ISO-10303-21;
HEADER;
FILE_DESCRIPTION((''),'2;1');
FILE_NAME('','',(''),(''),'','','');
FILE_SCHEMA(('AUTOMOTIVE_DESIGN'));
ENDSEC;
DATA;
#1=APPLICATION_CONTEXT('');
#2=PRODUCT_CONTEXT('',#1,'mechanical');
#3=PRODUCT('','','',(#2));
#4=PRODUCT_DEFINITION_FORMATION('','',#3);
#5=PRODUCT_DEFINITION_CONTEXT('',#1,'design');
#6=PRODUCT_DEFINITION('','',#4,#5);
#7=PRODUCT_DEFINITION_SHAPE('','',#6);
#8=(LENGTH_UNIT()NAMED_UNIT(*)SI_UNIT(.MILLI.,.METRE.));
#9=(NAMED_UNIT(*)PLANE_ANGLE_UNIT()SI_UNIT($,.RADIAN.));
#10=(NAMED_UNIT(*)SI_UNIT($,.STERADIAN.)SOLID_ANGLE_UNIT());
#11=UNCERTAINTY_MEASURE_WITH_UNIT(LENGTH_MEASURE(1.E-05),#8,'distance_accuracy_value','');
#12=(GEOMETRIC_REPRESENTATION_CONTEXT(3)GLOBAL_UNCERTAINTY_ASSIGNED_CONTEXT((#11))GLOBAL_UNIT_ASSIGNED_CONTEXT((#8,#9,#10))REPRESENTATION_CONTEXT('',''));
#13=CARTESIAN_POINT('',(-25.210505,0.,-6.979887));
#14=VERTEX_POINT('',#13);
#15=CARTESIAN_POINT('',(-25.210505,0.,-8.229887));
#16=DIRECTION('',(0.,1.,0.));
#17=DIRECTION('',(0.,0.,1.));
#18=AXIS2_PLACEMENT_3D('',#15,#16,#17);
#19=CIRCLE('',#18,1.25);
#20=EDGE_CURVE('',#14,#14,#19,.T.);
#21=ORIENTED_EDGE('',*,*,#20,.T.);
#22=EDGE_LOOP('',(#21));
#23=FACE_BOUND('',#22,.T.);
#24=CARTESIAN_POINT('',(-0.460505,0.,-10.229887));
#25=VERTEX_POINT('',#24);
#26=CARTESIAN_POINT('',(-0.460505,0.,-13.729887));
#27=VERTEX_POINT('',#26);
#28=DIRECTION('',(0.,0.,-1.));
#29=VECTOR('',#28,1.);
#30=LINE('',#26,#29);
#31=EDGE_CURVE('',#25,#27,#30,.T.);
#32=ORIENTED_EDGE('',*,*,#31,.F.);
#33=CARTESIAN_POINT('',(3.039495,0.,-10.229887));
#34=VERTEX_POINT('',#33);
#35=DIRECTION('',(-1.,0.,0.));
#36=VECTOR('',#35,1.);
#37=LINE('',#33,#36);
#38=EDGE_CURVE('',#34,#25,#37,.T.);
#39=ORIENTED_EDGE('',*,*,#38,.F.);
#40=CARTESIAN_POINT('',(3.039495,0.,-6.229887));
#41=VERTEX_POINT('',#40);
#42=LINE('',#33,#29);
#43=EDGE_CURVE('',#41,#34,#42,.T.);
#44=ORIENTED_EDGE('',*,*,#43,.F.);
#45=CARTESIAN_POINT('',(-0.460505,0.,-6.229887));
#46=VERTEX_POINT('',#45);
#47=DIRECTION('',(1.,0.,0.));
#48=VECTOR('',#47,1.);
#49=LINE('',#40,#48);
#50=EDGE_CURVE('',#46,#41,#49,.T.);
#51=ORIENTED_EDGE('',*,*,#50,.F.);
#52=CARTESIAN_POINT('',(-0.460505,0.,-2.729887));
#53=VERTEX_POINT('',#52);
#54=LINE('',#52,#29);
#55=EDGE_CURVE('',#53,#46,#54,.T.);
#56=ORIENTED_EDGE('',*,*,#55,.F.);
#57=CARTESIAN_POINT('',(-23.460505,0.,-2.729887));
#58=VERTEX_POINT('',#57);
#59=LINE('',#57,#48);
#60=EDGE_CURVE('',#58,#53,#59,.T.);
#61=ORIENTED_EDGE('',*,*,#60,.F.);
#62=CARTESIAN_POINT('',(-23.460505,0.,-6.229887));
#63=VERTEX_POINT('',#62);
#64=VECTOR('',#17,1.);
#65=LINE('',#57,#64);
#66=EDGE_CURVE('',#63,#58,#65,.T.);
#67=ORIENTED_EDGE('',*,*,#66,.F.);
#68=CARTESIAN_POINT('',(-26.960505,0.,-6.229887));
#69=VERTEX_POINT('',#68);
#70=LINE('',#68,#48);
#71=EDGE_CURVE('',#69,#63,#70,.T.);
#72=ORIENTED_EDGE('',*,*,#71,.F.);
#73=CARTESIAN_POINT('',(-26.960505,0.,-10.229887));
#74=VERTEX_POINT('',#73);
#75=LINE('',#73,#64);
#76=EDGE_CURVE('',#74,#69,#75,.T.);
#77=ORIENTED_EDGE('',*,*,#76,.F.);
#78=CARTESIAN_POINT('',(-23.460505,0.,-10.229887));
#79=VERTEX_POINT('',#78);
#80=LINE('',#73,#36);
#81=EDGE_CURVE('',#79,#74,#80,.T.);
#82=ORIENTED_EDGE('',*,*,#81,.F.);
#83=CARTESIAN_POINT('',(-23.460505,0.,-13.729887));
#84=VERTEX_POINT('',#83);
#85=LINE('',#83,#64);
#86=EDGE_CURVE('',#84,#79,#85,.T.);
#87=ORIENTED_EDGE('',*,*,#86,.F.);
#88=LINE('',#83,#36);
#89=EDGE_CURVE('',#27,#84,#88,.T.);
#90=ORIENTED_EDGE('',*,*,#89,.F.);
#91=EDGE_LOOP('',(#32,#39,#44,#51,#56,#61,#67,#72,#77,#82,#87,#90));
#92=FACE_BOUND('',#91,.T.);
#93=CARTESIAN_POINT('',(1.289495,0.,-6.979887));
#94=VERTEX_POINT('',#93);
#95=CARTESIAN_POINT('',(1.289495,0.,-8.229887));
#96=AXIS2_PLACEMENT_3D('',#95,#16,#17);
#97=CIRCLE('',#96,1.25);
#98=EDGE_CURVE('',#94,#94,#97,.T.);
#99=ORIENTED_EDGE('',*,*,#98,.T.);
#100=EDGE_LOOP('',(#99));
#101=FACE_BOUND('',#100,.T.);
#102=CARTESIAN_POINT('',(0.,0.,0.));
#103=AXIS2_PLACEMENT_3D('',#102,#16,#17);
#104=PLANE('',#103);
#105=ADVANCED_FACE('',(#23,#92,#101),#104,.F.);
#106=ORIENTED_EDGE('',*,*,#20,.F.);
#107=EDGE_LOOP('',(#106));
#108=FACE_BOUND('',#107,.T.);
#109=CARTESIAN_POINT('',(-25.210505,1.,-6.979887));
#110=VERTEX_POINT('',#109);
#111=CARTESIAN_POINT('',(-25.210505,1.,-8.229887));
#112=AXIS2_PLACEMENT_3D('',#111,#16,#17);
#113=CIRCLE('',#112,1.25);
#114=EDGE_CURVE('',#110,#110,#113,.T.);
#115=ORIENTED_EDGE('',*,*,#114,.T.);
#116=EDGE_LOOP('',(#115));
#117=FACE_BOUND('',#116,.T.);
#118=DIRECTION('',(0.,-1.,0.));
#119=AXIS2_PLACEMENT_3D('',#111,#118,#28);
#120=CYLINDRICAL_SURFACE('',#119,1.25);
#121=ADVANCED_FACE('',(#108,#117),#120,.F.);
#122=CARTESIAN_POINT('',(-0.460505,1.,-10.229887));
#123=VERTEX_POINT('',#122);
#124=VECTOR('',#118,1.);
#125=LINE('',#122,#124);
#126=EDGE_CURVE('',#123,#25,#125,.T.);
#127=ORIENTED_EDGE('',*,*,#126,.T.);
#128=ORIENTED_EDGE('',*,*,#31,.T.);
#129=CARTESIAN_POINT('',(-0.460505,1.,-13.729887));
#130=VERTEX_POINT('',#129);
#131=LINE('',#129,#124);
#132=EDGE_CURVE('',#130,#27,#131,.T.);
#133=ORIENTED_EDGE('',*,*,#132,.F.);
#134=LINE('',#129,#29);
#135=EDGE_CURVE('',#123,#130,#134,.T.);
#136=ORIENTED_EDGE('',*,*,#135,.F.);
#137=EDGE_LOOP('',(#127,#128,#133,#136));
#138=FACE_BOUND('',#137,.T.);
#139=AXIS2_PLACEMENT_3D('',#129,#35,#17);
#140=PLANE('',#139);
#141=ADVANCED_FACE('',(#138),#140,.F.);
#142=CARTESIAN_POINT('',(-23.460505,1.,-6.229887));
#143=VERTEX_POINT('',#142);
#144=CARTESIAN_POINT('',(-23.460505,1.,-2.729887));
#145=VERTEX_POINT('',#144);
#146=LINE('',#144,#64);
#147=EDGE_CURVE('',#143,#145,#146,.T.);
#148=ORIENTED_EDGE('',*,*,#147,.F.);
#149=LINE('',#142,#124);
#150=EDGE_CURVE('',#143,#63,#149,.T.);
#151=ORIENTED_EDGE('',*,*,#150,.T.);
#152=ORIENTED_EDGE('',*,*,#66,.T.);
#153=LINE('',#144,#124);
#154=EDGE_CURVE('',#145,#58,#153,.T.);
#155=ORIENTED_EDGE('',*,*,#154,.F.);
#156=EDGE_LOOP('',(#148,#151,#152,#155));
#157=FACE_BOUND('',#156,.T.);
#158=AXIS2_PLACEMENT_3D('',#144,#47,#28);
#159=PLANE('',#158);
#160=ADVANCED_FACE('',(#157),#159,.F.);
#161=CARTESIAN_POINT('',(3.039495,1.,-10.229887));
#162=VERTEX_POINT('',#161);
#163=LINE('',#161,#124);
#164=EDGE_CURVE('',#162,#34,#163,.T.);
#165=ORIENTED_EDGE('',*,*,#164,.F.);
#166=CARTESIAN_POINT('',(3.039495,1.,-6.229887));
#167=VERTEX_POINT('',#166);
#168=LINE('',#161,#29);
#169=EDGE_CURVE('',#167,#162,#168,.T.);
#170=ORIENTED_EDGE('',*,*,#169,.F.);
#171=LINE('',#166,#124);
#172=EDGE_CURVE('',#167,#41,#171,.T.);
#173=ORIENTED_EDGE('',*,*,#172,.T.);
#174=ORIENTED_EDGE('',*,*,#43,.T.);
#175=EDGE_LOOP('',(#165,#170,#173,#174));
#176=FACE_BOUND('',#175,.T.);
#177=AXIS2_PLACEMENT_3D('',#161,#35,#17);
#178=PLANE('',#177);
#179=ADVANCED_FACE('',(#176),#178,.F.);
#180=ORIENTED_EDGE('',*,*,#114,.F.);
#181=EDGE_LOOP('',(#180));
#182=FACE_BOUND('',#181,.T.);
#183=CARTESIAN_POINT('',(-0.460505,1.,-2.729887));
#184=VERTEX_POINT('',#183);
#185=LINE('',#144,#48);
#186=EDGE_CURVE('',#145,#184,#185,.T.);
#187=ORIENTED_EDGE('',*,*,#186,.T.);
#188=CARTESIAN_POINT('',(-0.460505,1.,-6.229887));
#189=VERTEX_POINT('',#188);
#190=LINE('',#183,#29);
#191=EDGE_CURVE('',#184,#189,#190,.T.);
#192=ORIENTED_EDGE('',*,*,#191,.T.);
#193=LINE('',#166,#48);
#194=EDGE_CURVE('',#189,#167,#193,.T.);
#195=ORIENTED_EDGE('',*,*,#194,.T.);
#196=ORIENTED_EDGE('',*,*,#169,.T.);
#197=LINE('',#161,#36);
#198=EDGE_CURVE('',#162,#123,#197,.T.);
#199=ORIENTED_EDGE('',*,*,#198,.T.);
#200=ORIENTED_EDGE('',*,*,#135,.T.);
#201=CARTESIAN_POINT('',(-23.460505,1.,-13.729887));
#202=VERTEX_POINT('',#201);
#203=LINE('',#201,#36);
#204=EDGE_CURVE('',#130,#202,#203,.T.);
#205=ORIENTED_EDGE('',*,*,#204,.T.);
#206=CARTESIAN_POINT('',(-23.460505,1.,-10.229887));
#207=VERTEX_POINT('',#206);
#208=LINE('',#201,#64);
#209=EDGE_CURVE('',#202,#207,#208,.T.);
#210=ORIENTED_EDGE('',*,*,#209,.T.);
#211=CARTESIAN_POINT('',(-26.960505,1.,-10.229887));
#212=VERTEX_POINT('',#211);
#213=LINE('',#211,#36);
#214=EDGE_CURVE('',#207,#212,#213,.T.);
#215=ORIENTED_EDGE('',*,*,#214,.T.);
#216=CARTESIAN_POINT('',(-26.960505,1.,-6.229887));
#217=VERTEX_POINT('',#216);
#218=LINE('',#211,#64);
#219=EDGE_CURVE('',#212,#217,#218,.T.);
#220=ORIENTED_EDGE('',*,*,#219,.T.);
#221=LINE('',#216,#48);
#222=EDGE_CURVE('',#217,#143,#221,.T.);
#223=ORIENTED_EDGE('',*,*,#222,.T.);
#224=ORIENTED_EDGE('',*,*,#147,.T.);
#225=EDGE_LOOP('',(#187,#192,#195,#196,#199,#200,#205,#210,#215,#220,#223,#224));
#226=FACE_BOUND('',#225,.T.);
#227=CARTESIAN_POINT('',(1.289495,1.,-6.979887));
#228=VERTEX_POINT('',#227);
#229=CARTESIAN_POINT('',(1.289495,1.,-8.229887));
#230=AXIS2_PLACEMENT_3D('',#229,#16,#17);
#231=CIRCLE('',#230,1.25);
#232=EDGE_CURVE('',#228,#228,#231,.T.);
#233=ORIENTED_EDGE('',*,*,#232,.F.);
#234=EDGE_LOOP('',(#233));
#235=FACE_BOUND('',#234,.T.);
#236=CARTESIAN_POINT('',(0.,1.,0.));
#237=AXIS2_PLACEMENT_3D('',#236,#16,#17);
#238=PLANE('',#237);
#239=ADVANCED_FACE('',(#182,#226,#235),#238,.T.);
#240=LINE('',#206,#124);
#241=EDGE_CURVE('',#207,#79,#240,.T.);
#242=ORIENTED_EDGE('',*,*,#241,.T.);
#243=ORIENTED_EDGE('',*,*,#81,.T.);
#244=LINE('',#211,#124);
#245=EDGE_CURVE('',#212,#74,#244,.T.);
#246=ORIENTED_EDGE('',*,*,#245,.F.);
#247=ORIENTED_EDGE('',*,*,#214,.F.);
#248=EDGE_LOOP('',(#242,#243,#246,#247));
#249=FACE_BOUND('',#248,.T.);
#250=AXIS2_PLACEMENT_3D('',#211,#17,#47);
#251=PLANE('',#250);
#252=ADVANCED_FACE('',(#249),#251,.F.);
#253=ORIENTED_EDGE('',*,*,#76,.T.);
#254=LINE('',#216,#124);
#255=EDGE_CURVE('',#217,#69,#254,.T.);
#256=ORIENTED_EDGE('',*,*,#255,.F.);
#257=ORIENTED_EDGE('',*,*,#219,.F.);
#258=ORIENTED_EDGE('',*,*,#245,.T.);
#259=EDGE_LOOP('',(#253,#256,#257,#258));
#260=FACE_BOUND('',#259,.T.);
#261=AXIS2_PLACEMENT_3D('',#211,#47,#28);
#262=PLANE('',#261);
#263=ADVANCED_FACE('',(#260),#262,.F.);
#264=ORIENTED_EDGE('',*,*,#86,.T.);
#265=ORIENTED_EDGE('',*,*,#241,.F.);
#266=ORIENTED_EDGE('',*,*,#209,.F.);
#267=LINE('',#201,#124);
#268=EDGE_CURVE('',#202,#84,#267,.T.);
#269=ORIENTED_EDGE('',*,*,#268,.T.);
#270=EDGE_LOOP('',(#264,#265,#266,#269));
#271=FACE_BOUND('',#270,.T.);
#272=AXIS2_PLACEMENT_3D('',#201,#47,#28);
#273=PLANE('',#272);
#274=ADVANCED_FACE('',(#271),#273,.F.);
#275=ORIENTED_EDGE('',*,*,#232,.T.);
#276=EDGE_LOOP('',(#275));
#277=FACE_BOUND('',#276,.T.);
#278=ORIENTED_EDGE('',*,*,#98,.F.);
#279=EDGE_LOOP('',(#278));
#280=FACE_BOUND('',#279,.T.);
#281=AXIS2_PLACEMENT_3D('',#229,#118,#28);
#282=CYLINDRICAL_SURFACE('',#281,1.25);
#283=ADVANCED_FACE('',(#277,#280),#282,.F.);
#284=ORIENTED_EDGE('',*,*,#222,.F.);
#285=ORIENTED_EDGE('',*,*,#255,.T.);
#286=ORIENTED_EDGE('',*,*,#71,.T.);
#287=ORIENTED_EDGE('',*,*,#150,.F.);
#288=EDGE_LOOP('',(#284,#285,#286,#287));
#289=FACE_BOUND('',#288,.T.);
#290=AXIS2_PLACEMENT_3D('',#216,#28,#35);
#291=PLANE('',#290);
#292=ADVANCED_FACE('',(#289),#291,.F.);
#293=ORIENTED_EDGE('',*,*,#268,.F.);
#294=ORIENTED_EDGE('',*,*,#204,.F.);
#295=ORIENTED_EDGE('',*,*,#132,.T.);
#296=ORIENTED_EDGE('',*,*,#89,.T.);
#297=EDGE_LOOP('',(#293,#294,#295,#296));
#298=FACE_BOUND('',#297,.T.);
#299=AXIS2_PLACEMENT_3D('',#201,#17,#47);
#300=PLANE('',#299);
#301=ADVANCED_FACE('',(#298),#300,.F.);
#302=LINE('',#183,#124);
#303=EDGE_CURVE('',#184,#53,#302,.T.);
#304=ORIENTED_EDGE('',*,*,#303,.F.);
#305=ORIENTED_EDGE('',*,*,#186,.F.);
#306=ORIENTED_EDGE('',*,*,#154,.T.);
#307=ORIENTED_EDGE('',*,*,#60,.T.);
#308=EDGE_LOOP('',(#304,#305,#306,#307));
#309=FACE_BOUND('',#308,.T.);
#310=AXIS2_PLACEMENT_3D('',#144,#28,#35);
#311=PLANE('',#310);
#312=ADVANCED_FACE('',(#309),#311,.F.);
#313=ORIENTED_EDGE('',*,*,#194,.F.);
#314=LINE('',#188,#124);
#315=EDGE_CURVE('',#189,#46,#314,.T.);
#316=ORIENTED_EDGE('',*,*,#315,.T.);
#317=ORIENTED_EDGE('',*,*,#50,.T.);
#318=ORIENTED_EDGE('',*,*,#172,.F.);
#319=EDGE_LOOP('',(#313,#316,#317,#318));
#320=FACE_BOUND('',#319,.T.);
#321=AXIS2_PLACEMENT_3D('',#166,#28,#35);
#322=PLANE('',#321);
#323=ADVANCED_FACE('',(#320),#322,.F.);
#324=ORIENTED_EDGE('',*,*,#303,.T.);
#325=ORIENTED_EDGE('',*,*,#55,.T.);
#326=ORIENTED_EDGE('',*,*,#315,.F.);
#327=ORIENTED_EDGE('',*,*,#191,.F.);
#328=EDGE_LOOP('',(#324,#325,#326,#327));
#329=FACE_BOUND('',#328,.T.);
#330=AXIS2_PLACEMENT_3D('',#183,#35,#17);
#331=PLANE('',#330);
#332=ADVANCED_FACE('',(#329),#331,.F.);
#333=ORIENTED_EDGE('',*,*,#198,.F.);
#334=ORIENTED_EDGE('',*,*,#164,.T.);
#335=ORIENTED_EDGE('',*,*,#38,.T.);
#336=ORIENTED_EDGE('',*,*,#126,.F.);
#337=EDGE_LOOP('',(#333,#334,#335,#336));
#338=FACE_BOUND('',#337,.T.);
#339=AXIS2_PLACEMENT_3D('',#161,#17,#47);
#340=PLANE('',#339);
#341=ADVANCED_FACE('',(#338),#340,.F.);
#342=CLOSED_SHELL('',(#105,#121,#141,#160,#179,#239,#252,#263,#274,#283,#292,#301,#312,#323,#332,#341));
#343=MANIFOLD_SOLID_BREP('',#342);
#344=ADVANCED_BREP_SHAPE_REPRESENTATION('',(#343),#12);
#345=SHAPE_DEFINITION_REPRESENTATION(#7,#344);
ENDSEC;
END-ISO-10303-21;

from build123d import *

# Parameters (mm, degrees)
SKETCH_1_R      = 1.25
EXTRUDE_1_DEPTH = 1


with BuildPart() as part:
    # 草图1 → 凸台-拉伸1 (new body)
    with BuildSketch(Plane(origin=(0, 0, 0), x_dir=(1, 0, 0), z_dir=(0, 1, 0))):
        Polygon((-23.460504974, 13.729886792), (-0.460504974, 13.729886792), (-0.460504974, 10.229886792), (3.039495026, 10.229886792), (3.039495026, 6.229886792), (-0.460504974, 6.229886792), (-0.460504974, 2.729886792), (-23.460504974, 2.729886792), (-23.460504974, 6.229886792), (-26.960504974, 6.229886792), (-26.960504974, 10.229886792), (-23.460504974, 10.229886792), align=None)
        with Locations(Location((1.289495026, 8.229886792, 0), (0, 0, 270))):
            Circle(SKETCH_1_R, mode=Mode.SUBTRACT)
        with Locations(Location((-25.210504974, 8.229886792, 0), (0, 0, 270))):
            Circle(SKETCH_1_R, mode=Mode.SUBTRACT)
    extrude(amount=EXTRUDE_1_DEPTH)


solid = part.part
